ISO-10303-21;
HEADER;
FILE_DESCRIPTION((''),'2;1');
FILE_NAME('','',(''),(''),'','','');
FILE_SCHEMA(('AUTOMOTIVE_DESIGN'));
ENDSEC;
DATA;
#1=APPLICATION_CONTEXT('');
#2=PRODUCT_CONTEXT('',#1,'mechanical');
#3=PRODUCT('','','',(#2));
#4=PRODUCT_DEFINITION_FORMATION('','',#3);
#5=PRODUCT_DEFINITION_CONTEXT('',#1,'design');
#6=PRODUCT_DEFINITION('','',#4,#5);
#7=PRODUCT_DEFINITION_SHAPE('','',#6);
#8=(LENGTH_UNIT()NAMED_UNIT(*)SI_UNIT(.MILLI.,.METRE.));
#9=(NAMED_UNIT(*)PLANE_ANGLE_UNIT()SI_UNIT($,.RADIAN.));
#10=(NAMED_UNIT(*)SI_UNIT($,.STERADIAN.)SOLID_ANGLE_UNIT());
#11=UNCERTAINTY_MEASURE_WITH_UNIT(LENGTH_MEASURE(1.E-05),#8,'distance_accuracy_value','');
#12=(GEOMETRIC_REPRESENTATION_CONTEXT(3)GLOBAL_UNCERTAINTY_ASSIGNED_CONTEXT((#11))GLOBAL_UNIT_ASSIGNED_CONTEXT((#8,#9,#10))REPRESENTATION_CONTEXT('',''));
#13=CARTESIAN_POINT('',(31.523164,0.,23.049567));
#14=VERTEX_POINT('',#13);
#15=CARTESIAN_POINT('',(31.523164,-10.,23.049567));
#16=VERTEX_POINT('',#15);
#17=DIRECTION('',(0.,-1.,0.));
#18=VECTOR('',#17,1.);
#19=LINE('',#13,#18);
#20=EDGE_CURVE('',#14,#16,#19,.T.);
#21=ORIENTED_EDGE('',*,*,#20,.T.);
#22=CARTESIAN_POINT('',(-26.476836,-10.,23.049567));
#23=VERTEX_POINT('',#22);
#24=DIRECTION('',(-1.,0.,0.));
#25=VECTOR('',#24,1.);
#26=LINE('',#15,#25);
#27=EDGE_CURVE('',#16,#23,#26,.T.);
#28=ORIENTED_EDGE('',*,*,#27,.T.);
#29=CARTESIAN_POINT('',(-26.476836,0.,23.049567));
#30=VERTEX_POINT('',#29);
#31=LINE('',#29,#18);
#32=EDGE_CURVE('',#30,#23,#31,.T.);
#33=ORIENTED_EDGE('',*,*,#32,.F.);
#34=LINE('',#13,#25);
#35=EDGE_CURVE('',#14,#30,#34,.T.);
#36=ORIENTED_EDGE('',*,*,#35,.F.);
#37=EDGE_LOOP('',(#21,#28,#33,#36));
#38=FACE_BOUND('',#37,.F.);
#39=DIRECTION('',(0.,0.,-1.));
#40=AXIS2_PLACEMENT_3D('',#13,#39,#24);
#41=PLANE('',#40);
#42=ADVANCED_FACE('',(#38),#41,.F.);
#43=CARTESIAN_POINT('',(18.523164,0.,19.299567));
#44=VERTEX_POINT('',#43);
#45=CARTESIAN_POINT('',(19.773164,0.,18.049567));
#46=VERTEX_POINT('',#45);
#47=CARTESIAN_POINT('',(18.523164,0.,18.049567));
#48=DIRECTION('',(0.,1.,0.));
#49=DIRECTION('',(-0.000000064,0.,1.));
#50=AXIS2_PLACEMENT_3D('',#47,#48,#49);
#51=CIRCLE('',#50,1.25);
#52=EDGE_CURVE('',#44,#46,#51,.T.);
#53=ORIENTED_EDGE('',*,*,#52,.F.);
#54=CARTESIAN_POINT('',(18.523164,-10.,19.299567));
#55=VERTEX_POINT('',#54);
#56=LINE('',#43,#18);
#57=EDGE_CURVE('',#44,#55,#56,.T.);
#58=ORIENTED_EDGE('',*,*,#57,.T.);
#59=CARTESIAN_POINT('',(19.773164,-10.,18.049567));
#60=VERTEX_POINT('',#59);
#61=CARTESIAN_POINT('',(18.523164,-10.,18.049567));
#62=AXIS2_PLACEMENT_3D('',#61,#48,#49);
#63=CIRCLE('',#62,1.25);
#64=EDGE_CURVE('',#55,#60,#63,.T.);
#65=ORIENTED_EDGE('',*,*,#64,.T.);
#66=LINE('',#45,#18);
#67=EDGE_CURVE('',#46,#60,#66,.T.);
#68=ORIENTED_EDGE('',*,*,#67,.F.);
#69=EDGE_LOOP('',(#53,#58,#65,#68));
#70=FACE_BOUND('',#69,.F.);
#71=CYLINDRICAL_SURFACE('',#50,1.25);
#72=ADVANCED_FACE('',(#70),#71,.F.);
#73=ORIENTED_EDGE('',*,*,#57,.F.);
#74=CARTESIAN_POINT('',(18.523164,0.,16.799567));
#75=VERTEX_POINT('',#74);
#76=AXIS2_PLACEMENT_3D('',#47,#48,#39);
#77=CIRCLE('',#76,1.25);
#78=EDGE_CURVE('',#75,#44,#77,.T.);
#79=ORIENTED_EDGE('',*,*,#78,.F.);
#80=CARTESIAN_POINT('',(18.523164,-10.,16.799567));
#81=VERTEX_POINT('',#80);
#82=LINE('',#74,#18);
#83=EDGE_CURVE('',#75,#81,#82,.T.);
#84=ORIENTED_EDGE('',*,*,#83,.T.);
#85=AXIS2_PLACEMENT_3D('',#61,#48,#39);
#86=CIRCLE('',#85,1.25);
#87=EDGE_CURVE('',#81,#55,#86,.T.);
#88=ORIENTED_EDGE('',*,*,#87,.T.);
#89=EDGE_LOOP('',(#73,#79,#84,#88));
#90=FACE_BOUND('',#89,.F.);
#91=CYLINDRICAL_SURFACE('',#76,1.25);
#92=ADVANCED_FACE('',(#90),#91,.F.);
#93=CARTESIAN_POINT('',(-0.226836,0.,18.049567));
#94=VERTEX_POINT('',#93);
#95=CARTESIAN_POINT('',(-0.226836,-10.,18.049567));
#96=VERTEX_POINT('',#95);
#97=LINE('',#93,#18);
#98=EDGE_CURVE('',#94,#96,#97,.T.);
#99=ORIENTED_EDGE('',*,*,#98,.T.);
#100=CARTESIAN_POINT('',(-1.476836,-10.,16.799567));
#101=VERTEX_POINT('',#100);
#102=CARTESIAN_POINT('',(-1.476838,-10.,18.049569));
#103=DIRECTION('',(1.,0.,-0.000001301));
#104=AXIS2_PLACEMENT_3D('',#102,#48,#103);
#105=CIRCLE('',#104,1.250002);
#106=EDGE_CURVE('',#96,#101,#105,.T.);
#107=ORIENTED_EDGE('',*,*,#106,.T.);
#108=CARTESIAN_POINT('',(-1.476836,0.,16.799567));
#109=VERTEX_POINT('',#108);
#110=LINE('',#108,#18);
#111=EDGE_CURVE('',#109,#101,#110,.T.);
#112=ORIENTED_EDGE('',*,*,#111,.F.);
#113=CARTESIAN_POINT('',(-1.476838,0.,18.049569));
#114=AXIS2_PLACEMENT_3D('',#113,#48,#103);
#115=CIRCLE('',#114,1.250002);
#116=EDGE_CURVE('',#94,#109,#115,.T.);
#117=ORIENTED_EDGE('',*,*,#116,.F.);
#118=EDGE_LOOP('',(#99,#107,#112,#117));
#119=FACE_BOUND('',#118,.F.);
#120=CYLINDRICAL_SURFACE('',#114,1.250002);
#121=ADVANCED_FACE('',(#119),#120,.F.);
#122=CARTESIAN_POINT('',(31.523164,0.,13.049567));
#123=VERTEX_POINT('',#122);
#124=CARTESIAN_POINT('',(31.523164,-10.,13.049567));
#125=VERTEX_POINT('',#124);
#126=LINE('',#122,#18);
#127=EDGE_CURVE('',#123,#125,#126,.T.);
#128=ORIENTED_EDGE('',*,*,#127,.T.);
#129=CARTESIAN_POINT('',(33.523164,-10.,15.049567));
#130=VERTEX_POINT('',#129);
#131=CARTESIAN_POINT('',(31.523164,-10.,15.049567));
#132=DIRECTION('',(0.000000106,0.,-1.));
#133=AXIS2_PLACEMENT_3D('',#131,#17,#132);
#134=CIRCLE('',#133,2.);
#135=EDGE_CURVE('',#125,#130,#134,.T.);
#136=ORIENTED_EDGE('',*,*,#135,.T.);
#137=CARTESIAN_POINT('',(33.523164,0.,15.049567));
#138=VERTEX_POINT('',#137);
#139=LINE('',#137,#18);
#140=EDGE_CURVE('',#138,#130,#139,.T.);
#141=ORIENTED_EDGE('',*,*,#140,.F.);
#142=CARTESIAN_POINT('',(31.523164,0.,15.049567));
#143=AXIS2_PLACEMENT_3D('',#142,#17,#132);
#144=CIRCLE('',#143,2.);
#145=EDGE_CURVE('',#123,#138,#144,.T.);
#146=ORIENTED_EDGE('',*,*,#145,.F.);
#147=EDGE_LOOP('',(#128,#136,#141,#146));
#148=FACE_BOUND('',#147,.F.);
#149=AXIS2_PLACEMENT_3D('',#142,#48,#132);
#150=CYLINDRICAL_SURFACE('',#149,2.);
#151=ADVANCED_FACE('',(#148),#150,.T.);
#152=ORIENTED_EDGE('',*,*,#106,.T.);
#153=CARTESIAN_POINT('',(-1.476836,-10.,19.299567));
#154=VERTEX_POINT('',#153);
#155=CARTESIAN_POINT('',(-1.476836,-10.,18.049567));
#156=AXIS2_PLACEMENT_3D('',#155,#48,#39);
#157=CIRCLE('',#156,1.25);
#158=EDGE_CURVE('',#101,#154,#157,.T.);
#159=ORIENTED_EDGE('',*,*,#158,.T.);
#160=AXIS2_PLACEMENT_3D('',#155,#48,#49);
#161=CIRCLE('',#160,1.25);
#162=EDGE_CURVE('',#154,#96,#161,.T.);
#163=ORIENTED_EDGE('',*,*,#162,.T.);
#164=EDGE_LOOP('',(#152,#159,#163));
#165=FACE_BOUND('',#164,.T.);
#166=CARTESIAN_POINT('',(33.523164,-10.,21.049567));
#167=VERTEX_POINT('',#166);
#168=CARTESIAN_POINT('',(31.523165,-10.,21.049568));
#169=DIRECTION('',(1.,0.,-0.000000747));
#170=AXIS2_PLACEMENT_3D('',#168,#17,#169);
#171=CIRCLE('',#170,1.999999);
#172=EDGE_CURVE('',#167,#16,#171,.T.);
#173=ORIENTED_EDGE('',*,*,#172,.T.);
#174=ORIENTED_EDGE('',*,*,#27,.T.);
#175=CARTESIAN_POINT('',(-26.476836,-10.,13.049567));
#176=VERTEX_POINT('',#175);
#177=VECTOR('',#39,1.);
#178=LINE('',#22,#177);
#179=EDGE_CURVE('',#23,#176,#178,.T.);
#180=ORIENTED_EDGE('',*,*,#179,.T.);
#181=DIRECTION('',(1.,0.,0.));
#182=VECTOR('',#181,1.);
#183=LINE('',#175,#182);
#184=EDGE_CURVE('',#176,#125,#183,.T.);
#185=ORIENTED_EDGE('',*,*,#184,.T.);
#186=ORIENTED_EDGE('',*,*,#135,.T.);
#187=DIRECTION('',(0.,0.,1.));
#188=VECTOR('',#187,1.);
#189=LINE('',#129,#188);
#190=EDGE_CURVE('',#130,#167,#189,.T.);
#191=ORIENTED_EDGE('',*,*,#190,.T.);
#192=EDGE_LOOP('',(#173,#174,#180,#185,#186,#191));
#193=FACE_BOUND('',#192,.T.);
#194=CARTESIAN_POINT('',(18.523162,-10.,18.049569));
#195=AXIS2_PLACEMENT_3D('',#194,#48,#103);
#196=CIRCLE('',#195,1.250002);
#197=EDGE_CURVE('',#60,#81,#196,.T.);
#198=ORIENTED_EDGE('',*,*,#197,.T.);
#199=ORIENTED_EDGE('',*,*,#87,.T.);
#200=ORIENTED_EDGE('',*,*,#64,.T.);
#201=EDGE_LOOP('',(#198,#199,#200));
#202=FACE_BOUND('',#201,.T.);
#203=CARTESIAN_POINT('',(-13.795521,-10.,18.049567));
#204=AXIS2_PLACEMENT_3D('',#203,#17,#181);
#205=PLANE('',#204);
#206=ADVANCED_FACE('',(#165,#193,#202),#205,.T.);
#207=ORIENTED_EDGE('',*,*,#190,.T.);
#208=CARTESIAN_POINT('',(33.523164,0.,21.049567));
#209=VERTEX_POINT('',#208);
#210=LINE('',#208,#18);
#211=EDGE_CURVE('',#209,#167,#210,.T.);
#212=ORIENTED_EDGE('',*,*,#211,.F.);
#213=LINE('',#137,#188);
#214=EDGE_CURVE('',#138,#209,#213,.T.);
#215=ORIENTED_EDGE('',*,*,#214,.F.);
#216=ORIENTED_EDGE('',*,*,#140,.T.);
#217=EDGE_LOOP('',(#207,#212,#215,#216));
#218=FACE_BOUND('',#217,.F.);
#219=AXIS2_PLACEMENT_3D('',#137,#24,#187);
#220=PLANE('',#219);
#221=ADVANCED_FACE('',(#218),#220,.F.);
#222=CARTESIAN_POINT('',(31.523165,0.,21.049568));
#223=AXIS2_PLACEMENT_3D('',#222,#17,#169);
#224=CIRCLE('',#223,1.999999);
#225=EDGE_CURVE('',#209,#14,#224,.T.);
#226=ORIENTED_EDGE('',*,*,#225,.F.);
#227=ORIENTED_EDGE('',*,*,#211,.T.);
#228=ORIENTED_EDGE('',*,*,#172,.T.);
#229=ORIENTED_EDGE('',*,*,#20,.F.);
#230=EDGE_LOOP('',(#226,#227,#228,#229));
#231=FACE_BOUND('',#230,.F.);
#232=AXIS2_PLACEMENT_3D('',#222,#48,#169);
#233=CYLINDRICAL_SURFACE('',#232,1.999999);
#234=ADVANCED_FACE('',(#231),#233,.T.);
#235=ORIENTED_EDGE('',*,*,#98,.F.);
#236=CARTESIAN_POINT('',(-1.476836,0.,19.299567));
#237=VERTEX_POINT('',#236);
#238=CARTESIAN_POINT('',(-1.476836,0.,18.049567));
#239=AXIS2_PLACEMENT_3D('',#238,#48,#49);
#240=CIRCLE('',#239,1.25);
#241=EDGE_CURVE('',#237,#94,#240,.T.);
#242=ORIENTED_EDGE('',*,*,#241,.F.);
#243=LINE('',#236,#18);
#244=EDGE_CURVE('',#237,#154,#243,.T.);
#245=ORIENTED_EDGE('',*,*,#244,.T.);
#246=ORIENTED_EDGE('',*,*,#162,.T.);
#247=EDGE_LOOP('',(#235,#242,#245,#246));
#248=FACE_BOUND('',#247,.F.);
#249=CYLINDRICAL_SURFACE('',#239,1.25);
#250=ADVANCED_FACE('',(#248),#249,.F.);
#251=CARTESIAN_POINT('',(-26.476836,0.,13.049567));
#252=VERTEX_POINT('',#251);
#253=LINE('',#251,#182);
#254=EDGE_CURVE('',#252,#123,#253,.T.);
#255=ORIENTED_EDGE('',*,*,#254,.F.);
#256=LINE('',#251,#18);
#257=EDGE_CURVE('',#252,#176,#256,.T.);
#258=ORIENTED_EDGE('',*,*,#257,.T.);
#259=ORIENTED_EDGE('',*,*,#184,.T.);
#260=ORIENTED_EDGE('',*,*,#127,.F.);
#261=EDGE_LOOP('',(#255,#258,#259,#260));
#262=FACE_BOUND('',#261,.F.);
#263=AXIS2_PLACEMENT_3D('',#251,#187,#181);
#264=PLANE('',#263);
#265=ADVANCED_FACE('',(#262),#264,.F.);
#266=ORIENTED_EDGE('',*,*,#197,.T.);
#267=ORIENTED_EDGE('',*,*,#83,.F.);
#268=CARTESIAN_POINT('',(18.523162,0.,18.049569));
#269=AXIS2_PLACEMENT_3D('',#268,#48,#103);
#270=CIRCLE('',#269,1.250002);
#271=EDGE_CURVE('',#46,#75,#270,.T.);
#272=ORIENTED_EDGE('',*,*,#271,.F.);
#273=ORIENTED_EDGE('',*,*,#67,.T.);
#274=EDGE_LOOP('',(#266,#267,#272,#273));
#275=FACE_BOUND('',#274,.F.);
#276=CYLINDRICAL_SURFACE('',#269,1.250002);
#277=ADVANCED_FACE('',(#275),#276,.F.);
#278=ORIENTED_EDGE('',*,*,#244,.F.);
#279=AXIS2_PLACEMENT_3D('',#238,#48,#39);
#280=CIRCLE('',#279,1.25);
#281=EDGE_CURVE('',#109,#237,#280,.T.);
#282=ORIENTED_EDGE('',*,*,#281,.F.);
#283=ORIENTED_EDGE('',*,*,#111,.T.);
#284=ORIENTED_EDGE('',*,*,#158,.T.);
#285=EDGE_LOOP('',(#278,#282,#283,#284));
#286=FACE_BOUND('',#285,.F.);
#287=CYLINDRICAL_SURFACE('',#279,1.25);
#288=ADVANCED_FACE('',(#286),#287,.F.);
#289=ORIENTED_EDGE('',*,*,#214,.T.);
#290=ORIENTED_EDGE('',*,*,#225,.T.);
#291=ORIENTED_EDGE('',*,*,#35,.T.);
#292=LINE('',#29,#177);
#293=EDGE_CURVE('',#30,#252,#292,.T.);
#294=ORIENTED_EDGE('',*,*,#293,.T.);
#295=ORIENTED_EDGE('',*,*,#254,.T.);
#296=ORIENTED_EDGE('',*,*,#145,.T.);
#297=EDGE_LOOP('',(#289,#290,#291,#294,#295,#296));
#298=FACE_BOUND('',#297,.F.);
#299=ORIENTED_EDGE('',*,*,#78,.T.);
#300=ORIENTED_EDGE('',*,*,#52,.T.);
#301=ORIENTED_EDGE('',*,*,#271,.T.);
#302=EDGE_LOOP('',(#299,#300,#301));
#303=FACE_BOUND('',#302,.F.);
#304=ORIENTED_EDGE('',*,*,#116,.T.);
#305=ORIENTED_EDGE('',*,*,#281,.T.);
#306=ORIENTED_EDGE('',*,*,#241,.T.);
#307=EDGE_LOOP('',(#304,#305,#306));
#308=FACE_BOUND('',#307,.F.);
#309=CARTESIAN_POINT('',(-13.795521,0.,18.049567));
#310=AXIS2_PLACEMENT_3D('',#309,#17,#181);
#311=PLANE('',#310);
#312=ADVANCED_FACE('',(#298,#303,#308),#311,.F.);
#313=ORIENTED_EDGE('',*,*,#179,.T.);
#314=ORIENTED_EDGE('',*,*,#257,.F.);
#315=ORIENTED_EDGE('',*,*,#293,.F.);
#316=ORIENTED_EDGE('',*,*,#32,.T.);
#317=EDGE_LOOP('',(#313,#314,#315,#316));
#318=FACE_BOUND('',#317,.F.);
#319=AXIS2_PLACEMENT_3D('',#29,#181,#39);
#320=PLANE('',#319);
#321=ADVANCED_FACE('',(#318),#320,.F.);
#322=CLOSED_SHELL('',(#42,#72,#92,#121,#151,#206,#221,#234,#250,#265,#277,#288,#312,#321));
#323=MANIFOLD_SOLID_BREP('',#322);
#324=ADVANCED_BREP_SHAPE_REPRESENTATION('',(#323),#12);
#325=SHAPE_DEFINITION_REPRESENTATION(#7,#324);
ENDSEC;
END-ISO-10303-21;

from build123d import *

# Parameters (mm, degrees)
F1_DEPTH = 10


with BuildPart() as f1:
    # F0 (on Front) → F1 (new body)
    with BuildSketch(Plane.XZ):
        with BuildLine():
            Line((-1.476836, 23.049567), (-26.476836, 23.049567))
            Line((-26.476836, 23.049567), (-26.476836, 13.049567))
            Line((-26.476836, 13.049567), (-1.476836, 13.049567))
            Line((-1.476836, 13.049567), (-1.476836, 16.799567))
            ThreePointArc((-1.476836, 16.799567), (-2.726836, 18.049567), (-1.476836, 19.299567))
            Line((-1.476836, 19.299567), (-1.476836, 23.049567))
        make_face()
        with BuildLine():
            Line((18.523164, 23.049567), (-1.476836, 23.049567))
            Line((-1.476836, 23.049567), (-1.476836, 19.299567))
            ThreePointArc((-1.476836, 19.299567), (-0.592953, 18.933451), (-0.226836, 18.049567))
            ThreePointArc((-0.226836, 18.049567), (-0.592953, 17.165684), (-1.476836, 16.799567))
            Line((-1.476836, 16.799567), (-1.476836, 13.049567))
            Line((-1.476836, 13.049567), (18.523164, 13.049567))
            Line((18.523164, 13.049567), (18.523164, 16.799567))
            ThreePointArc((18.523164, 16.799567), (17.273164, 18.049567), (18.523164, 19.299567))
            Line((18.523164, 19.299567), (18.523164, 23.049567))
        make_face()
        with BuildLine():
            Line((31.523164, 23.049567), (18.523164, 23.049567))
            Line((18.523164, 23.049567), (18.523164, 19.299567))
            ThreePointArc((18.523164, 19.299567), (19.407047, 18.933451), (19.773164, 18.049567))
            ThreePointArc((19.773164, 18.049567), (19.407047, 17.165684), (18.523164, 16.799567))
            Line((18.523164, 16.799567), (18.523164, 13.049567))
            Line((18.523164, 13.049567), (31.523164, 13.049567))
            ThreePointArc((31.523164, 13.049567), (32.937378, 13.635354), (33.523164, 15.049567))
            Line((33.523164, 15.049567), (33.523164, 21.049567))
            ThreePointArc((33.523164, 21.049567), (32.937378, 22.463781), (31.523164, 23.049567))
        make_face()
    extrude(amount=F1_DEPTH)


solid = f1.part
